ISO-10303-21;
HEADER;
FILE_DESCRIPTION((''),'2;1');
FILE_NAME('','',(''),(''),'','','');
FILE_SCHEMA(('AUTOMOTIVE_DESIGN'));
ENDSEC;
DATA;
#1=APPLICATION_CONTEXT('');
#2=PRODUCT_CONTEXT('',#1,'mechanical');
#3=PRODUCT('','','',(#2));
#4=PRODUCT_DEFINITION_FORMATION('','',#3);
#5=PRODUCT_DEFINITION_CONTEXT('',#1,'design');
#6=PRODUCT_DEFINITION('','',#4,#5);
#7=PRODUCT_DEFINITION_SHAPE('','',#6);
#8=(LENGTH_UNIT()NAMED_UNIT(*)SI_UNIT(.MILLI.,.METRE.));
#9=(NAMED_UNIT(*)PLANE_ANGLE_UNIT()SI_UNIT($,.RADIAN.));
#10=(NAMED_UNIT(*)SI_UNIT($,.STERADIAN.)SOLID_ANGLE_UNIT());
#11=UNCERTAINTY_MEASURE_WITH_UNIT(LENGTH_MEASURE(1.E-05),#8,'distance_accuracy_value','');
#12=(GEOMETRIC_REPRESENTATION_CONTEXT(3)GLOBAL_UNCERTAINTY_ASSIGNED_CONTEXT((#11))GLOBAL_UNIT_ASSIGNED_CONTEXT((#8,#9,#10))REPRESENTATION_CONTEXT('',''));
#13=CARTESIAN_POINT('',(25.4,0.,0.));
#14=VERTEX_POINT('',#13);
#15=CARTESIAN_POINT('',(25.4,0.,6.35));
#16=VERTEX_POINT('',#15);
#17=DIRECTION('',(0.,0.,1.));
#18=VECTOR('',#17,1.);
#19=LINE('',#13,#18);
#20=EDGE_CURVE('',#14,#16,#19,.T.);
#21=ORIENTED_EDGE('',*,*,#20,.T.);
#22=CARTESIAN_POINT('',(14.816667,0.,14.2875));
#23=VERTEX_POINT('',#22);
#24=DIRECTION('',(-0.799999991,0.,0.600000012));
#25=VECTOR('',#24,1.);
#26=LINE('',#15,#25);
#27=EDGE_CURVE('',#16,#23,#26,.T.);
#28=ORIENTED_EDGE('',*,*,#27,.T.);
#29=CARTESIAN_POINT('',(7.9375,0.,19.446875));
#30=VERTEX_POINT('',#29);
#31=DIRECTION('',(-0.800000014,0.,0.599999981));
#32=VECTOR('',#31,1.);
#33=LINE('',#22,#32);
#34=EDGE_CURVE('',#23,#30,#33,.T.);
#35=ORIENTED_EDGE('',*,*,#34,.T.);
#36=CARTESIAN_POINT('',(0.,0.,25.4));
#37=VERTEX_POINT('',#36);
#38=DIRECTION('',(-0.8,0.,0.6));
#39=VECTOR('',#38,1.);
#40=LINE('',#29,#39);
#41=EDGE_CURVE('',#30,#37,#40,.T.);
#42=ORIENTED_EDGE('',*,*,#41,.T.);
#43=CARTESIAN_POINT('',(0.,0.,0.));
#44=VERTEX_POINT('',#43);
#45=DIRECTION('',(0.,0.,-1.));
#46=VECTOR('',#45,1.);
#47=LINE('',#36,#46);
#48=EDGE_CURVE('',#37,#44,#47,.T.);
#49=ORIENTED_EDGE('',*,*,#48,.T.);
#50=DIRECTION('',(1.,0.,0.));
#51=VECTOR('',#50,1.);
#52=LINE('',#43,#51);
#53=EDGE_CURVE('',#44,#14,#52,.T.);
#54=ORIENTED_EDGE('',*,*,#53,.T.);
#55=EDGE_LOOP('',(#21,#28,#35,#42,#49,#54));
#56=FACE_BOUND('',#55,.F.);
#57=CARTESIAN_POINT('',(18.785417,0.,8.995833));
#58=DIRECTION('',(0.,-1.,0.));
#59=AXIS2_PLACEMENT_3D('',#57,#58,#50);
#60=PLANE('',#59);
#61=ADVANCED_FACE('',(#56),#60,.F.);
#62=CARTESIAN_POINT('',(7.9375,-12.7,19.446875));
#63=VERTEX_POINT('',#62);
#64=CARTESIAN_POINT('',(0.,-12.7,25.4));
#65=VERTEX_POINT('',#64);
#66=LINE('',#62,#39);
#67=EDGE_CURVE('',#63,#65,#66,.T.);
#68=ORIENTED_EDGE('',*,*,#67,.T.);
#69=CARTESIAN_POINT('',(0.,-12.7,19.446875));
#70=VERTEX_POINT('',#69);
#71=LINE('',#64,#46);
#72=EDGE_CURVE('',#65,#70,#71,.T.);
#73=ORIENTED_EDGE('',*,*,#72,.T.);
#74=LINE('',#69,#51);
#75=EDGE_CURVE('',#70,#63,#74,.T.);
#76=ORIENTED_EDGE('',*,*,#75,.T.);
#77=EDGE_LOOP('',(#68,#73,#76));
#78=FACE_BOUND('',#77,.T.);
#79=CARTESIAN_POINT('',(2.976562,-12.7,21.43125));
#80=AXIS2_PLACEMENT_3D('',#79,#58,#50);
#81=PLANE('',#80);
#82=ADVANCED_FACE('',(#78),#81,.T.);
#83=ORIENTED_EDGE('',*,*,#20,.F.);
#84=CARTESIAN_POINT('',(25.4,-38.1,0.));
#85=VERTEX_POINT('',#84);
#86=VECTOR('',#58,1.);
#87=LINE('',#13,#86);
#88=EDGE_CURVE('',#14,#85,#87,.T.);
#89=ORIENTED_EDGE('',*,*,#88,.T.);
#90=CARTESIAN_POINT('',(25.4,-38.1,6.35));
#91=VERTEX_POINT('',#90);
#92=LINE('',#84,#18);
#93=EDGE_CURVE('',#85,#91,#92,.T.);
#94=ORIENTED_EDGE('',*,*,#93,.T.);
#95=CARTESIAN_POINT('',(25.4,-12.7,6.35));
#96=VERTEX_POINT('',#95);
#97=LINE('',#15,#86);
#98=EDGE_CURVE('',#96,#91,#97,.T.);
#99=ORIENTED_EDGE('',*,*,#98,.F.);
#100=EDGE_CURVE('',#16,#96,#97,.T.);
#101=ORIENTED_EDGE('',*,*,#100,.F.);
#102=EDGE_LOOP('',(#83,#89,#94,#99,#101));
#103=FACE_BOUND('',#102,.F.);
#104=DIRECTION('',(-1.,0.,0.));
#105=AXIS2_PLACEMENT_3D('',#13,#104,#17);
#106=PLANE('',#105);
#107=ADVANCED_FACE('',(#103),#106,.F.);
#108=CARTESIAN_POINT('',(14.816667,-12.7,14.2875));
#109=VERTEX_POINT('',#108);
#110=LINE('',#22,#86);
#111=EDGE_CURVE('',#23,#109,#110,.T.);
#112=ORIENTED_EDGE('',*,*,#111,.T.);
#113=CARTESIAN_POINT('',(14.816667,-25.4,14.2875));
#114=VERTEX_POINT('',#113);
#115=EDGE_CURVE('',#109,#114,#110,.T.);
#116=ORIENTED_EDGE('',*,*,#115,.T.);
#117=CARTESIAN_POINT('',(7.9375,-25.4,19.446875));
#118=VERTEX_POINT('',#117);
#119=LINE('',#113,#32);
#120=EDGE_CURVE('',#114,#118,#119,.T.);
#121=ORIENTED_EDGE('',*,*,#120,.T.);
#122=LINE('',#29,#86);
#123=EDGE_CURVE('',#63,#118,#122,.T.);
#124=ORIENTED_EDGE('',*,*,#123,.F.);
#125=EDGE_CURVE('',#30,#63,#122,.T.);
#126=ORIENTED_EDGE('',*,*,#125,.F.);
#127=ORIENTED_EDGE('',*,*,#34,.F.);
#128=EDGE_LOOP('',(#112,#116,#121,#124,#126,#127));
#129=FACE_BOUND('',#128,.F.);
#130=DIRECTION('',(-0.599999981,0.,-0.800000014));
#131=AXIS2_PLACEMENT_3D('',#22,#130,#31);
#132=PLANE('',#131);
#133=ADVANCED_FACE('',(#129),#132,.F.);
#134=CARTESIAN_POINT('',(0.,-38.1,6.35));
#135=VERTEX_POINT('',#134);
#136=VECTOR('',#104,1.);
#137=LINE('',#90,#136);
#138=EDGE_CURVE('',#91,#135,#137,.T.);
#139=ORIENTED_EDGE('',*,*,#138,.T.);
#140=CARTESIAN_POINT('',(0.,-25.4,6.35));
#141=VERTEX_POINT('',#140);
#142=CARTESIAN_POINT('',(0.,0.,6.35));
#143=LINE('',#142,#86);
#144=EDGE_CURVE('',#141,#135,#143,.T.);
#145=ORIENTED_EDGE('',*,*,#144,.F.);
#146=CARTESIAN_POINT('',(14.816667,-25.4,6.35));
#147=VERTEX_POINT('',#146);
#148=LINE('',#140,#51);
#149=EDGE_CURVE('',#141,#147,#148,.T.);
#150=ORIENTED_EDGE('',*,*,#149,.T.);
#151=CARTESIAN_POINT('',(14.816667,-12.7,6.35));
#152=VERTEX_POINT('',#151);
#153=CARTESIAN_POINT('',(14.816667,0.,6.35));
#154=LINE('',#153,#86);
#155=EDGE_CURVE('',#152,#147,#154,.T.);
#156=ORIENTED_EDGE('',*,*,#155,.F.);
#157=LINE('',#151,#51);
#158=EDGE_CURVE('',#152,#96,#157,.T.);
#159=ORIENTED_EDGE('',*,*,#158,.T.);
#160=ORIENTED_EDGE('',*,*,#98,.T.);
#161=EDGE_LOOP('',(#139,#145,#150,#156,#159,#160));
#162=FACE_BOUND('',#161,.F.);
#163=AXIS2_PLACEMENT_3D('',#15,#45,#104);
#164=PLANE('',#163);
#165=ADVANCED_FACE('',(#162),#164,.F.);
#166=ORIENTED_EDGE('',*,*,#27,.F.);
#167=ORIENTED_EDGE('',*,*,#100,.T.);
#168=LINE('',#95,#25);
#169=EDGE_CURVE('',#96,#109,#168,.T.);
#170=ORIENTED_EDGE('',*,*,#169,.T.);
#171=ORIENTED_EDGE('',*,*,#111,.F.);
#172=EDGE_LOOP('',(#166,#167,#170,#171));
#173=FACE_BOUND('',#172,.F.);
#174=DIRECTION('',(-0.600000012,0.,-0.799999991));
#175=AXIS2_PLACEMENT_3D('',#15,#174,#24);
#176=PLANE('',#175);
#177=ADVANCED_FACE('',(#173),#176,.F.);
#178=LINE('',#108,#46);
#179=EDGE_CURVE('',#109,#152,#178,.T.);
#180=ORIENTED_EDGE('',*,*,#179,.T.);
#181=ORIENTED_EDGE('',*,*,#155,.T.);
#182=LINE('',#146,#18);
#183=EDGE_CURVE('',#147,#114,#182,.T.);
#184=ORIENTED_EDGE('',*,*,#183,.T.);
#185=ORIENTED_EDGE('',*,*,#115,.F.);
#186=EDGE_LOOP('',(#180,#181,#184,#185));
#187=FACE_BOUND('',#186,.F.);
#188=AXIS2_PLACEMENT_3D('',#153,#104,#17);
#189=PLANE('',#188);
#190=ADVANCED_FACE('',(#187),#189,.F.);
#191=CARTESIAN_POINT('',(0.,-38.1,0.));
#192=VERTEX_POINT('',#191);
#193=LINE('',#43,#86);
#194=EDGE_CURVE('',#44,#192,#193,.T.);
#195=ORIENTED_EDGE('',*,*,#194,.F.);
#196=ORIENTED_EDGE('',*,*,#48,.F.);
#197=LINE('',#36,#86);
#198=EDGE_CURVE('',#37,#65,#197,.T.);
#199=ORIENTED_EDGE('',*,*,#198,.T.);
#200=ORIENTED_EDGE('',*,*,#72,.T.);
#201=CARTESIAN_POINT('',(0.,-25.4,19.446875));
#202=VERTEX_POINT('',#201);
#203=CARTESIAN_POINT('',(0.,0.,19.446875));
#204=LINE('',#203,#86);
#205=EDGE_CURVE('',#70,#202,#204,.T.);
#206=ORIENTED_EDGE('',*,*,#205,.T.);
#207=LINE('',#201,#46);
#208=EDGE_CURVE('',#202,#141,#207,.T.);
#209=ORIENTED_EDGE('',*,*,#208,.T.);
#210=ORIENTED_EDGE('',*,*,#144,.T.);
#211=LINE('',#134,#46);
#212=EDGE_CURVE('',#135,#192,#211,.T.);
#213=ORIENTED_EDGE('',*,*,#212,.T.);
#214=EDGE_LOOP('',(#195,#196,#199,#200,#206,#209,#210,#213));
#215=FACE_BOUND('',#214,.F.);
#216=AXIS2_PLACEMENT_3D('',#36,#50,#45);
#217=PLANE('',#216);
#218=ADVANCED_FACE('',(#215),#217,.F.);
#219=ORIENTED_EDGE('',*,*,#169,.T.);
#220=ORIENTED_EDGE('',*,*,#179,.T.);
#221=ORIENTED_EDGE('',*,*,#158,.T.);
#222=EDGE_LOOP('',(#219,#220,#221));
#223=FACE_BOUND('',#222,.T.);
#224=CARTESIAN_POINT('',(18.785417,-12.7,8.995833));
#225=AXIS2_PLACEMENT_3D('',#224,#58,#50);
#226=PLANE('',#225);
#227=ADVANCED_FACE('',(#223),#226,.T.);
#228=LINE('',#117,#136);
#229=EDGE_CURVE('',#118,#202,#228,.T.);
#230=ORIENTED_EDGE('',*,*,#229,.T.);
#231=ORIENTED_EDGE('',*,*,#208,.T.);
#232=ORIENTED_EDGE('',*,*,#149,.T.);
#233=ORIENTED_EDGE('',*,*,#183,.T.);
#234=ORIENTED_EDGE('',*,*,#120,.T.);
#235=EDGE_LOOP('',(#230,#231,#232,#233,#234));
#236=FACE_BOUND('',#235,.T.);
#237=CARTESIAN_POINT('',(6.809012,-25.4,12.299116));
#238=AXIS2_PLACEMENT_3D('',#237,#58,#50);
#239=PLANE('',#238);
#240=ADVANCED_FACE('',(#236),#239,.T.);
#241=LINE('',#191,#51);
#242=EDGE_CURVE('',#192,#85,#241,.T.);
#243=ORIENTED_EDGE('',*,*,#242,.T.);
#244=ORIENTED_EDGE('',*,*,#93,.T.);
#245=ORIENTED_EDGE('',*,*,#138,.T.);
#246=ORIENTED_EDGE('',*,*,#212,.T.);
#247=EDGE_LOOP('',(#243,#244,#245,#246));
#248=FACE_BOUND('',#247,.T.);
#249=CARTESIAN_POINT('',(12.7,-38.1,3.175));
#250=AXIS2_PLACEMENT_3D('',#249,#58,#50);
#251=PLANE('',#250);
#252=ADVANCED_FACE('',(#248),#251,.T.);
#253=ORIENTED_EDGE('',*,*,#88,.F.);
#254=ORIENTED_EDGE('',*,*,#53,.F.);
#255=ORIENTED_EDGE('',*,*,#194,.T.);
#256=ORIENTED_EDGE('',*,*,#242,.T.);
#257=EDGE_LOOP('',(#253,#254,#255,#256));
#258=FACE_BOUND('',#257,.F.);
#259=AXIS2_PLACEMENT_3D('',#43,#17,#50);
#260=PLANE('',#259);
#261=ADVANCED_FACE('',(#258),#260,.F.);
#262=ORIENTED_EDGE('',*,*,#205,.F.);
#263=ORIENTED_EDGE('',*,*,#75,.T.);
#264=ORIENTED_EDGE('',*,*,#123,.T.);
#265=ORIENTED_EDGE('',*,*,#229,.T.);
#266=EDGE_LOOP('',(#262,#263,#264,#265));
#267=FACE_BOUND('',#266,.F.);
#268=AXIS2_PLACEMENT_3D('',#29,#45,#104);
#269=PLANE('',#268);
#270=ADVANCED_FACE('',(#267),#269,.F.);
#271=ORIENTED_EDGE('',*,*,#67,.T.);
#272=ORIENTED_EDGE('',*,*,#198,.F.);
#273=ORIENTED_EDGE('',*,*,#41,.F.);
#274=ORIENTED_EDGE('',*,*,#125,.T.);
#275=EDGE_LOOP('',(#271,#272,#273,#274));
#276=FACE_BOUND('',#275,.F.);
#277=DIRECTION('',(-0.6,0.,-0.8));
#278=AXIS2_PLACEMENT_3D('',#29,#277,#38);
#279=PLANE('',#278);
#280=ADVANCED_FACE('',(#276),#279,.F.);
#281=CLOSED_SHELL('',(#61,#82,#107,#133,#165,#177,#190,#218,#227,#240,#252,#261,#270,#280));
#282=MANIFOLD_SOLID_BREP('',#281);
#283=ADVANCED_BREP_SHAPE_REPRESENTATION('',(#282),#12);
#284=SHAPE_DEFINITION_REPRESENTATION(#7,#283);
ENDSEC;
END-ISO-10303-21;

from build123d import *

# Parameters (mm, degrees)
F1_DEPTH = 38.1
F2_DEPTH = 25.4
F3_DEPTH = 12.7
F4_DEPTH = 12.7


with BuildPart() as f1:
    # F0 (on Front) → F1 (new body)
    with BuildSketch(Plane.XZ):
        Polygon((0, 6.35), (0, 0), (25.4, 0), (25.4, 6.35), (14.816667, 6.35), align=None)
    extrude(amount=F1_DEPTH)

    # F0 (on Front) → F2 (join)
    with BuildSketch(Plane.XZ):
        Polygon((0, 19.446875), (0, 6.35), (14.816667, 6.35), (14.816667, 14.2875), (7.9375, 19.446875), align=None)
    extrude(amount=F2_DEPTH)

    # F0 (on Front) → F3 (join)
    with BuildSketch(Plane.XZ):
        Polygon((0, 25.4), (0, 19.446875), (7.9375, 19.446875), align=None)
    extrude(amount=F3_DEPTH)

    # F0 (on Front) → F4 (join)
    with BuildSketch(Plane.XZ):
        Polygon((14.816667, 14.2875), (14.816667, 6.35), (25.4, 6.35), align=None)
    extrude(amount=F4_DEPTH)


solid = f1.part
